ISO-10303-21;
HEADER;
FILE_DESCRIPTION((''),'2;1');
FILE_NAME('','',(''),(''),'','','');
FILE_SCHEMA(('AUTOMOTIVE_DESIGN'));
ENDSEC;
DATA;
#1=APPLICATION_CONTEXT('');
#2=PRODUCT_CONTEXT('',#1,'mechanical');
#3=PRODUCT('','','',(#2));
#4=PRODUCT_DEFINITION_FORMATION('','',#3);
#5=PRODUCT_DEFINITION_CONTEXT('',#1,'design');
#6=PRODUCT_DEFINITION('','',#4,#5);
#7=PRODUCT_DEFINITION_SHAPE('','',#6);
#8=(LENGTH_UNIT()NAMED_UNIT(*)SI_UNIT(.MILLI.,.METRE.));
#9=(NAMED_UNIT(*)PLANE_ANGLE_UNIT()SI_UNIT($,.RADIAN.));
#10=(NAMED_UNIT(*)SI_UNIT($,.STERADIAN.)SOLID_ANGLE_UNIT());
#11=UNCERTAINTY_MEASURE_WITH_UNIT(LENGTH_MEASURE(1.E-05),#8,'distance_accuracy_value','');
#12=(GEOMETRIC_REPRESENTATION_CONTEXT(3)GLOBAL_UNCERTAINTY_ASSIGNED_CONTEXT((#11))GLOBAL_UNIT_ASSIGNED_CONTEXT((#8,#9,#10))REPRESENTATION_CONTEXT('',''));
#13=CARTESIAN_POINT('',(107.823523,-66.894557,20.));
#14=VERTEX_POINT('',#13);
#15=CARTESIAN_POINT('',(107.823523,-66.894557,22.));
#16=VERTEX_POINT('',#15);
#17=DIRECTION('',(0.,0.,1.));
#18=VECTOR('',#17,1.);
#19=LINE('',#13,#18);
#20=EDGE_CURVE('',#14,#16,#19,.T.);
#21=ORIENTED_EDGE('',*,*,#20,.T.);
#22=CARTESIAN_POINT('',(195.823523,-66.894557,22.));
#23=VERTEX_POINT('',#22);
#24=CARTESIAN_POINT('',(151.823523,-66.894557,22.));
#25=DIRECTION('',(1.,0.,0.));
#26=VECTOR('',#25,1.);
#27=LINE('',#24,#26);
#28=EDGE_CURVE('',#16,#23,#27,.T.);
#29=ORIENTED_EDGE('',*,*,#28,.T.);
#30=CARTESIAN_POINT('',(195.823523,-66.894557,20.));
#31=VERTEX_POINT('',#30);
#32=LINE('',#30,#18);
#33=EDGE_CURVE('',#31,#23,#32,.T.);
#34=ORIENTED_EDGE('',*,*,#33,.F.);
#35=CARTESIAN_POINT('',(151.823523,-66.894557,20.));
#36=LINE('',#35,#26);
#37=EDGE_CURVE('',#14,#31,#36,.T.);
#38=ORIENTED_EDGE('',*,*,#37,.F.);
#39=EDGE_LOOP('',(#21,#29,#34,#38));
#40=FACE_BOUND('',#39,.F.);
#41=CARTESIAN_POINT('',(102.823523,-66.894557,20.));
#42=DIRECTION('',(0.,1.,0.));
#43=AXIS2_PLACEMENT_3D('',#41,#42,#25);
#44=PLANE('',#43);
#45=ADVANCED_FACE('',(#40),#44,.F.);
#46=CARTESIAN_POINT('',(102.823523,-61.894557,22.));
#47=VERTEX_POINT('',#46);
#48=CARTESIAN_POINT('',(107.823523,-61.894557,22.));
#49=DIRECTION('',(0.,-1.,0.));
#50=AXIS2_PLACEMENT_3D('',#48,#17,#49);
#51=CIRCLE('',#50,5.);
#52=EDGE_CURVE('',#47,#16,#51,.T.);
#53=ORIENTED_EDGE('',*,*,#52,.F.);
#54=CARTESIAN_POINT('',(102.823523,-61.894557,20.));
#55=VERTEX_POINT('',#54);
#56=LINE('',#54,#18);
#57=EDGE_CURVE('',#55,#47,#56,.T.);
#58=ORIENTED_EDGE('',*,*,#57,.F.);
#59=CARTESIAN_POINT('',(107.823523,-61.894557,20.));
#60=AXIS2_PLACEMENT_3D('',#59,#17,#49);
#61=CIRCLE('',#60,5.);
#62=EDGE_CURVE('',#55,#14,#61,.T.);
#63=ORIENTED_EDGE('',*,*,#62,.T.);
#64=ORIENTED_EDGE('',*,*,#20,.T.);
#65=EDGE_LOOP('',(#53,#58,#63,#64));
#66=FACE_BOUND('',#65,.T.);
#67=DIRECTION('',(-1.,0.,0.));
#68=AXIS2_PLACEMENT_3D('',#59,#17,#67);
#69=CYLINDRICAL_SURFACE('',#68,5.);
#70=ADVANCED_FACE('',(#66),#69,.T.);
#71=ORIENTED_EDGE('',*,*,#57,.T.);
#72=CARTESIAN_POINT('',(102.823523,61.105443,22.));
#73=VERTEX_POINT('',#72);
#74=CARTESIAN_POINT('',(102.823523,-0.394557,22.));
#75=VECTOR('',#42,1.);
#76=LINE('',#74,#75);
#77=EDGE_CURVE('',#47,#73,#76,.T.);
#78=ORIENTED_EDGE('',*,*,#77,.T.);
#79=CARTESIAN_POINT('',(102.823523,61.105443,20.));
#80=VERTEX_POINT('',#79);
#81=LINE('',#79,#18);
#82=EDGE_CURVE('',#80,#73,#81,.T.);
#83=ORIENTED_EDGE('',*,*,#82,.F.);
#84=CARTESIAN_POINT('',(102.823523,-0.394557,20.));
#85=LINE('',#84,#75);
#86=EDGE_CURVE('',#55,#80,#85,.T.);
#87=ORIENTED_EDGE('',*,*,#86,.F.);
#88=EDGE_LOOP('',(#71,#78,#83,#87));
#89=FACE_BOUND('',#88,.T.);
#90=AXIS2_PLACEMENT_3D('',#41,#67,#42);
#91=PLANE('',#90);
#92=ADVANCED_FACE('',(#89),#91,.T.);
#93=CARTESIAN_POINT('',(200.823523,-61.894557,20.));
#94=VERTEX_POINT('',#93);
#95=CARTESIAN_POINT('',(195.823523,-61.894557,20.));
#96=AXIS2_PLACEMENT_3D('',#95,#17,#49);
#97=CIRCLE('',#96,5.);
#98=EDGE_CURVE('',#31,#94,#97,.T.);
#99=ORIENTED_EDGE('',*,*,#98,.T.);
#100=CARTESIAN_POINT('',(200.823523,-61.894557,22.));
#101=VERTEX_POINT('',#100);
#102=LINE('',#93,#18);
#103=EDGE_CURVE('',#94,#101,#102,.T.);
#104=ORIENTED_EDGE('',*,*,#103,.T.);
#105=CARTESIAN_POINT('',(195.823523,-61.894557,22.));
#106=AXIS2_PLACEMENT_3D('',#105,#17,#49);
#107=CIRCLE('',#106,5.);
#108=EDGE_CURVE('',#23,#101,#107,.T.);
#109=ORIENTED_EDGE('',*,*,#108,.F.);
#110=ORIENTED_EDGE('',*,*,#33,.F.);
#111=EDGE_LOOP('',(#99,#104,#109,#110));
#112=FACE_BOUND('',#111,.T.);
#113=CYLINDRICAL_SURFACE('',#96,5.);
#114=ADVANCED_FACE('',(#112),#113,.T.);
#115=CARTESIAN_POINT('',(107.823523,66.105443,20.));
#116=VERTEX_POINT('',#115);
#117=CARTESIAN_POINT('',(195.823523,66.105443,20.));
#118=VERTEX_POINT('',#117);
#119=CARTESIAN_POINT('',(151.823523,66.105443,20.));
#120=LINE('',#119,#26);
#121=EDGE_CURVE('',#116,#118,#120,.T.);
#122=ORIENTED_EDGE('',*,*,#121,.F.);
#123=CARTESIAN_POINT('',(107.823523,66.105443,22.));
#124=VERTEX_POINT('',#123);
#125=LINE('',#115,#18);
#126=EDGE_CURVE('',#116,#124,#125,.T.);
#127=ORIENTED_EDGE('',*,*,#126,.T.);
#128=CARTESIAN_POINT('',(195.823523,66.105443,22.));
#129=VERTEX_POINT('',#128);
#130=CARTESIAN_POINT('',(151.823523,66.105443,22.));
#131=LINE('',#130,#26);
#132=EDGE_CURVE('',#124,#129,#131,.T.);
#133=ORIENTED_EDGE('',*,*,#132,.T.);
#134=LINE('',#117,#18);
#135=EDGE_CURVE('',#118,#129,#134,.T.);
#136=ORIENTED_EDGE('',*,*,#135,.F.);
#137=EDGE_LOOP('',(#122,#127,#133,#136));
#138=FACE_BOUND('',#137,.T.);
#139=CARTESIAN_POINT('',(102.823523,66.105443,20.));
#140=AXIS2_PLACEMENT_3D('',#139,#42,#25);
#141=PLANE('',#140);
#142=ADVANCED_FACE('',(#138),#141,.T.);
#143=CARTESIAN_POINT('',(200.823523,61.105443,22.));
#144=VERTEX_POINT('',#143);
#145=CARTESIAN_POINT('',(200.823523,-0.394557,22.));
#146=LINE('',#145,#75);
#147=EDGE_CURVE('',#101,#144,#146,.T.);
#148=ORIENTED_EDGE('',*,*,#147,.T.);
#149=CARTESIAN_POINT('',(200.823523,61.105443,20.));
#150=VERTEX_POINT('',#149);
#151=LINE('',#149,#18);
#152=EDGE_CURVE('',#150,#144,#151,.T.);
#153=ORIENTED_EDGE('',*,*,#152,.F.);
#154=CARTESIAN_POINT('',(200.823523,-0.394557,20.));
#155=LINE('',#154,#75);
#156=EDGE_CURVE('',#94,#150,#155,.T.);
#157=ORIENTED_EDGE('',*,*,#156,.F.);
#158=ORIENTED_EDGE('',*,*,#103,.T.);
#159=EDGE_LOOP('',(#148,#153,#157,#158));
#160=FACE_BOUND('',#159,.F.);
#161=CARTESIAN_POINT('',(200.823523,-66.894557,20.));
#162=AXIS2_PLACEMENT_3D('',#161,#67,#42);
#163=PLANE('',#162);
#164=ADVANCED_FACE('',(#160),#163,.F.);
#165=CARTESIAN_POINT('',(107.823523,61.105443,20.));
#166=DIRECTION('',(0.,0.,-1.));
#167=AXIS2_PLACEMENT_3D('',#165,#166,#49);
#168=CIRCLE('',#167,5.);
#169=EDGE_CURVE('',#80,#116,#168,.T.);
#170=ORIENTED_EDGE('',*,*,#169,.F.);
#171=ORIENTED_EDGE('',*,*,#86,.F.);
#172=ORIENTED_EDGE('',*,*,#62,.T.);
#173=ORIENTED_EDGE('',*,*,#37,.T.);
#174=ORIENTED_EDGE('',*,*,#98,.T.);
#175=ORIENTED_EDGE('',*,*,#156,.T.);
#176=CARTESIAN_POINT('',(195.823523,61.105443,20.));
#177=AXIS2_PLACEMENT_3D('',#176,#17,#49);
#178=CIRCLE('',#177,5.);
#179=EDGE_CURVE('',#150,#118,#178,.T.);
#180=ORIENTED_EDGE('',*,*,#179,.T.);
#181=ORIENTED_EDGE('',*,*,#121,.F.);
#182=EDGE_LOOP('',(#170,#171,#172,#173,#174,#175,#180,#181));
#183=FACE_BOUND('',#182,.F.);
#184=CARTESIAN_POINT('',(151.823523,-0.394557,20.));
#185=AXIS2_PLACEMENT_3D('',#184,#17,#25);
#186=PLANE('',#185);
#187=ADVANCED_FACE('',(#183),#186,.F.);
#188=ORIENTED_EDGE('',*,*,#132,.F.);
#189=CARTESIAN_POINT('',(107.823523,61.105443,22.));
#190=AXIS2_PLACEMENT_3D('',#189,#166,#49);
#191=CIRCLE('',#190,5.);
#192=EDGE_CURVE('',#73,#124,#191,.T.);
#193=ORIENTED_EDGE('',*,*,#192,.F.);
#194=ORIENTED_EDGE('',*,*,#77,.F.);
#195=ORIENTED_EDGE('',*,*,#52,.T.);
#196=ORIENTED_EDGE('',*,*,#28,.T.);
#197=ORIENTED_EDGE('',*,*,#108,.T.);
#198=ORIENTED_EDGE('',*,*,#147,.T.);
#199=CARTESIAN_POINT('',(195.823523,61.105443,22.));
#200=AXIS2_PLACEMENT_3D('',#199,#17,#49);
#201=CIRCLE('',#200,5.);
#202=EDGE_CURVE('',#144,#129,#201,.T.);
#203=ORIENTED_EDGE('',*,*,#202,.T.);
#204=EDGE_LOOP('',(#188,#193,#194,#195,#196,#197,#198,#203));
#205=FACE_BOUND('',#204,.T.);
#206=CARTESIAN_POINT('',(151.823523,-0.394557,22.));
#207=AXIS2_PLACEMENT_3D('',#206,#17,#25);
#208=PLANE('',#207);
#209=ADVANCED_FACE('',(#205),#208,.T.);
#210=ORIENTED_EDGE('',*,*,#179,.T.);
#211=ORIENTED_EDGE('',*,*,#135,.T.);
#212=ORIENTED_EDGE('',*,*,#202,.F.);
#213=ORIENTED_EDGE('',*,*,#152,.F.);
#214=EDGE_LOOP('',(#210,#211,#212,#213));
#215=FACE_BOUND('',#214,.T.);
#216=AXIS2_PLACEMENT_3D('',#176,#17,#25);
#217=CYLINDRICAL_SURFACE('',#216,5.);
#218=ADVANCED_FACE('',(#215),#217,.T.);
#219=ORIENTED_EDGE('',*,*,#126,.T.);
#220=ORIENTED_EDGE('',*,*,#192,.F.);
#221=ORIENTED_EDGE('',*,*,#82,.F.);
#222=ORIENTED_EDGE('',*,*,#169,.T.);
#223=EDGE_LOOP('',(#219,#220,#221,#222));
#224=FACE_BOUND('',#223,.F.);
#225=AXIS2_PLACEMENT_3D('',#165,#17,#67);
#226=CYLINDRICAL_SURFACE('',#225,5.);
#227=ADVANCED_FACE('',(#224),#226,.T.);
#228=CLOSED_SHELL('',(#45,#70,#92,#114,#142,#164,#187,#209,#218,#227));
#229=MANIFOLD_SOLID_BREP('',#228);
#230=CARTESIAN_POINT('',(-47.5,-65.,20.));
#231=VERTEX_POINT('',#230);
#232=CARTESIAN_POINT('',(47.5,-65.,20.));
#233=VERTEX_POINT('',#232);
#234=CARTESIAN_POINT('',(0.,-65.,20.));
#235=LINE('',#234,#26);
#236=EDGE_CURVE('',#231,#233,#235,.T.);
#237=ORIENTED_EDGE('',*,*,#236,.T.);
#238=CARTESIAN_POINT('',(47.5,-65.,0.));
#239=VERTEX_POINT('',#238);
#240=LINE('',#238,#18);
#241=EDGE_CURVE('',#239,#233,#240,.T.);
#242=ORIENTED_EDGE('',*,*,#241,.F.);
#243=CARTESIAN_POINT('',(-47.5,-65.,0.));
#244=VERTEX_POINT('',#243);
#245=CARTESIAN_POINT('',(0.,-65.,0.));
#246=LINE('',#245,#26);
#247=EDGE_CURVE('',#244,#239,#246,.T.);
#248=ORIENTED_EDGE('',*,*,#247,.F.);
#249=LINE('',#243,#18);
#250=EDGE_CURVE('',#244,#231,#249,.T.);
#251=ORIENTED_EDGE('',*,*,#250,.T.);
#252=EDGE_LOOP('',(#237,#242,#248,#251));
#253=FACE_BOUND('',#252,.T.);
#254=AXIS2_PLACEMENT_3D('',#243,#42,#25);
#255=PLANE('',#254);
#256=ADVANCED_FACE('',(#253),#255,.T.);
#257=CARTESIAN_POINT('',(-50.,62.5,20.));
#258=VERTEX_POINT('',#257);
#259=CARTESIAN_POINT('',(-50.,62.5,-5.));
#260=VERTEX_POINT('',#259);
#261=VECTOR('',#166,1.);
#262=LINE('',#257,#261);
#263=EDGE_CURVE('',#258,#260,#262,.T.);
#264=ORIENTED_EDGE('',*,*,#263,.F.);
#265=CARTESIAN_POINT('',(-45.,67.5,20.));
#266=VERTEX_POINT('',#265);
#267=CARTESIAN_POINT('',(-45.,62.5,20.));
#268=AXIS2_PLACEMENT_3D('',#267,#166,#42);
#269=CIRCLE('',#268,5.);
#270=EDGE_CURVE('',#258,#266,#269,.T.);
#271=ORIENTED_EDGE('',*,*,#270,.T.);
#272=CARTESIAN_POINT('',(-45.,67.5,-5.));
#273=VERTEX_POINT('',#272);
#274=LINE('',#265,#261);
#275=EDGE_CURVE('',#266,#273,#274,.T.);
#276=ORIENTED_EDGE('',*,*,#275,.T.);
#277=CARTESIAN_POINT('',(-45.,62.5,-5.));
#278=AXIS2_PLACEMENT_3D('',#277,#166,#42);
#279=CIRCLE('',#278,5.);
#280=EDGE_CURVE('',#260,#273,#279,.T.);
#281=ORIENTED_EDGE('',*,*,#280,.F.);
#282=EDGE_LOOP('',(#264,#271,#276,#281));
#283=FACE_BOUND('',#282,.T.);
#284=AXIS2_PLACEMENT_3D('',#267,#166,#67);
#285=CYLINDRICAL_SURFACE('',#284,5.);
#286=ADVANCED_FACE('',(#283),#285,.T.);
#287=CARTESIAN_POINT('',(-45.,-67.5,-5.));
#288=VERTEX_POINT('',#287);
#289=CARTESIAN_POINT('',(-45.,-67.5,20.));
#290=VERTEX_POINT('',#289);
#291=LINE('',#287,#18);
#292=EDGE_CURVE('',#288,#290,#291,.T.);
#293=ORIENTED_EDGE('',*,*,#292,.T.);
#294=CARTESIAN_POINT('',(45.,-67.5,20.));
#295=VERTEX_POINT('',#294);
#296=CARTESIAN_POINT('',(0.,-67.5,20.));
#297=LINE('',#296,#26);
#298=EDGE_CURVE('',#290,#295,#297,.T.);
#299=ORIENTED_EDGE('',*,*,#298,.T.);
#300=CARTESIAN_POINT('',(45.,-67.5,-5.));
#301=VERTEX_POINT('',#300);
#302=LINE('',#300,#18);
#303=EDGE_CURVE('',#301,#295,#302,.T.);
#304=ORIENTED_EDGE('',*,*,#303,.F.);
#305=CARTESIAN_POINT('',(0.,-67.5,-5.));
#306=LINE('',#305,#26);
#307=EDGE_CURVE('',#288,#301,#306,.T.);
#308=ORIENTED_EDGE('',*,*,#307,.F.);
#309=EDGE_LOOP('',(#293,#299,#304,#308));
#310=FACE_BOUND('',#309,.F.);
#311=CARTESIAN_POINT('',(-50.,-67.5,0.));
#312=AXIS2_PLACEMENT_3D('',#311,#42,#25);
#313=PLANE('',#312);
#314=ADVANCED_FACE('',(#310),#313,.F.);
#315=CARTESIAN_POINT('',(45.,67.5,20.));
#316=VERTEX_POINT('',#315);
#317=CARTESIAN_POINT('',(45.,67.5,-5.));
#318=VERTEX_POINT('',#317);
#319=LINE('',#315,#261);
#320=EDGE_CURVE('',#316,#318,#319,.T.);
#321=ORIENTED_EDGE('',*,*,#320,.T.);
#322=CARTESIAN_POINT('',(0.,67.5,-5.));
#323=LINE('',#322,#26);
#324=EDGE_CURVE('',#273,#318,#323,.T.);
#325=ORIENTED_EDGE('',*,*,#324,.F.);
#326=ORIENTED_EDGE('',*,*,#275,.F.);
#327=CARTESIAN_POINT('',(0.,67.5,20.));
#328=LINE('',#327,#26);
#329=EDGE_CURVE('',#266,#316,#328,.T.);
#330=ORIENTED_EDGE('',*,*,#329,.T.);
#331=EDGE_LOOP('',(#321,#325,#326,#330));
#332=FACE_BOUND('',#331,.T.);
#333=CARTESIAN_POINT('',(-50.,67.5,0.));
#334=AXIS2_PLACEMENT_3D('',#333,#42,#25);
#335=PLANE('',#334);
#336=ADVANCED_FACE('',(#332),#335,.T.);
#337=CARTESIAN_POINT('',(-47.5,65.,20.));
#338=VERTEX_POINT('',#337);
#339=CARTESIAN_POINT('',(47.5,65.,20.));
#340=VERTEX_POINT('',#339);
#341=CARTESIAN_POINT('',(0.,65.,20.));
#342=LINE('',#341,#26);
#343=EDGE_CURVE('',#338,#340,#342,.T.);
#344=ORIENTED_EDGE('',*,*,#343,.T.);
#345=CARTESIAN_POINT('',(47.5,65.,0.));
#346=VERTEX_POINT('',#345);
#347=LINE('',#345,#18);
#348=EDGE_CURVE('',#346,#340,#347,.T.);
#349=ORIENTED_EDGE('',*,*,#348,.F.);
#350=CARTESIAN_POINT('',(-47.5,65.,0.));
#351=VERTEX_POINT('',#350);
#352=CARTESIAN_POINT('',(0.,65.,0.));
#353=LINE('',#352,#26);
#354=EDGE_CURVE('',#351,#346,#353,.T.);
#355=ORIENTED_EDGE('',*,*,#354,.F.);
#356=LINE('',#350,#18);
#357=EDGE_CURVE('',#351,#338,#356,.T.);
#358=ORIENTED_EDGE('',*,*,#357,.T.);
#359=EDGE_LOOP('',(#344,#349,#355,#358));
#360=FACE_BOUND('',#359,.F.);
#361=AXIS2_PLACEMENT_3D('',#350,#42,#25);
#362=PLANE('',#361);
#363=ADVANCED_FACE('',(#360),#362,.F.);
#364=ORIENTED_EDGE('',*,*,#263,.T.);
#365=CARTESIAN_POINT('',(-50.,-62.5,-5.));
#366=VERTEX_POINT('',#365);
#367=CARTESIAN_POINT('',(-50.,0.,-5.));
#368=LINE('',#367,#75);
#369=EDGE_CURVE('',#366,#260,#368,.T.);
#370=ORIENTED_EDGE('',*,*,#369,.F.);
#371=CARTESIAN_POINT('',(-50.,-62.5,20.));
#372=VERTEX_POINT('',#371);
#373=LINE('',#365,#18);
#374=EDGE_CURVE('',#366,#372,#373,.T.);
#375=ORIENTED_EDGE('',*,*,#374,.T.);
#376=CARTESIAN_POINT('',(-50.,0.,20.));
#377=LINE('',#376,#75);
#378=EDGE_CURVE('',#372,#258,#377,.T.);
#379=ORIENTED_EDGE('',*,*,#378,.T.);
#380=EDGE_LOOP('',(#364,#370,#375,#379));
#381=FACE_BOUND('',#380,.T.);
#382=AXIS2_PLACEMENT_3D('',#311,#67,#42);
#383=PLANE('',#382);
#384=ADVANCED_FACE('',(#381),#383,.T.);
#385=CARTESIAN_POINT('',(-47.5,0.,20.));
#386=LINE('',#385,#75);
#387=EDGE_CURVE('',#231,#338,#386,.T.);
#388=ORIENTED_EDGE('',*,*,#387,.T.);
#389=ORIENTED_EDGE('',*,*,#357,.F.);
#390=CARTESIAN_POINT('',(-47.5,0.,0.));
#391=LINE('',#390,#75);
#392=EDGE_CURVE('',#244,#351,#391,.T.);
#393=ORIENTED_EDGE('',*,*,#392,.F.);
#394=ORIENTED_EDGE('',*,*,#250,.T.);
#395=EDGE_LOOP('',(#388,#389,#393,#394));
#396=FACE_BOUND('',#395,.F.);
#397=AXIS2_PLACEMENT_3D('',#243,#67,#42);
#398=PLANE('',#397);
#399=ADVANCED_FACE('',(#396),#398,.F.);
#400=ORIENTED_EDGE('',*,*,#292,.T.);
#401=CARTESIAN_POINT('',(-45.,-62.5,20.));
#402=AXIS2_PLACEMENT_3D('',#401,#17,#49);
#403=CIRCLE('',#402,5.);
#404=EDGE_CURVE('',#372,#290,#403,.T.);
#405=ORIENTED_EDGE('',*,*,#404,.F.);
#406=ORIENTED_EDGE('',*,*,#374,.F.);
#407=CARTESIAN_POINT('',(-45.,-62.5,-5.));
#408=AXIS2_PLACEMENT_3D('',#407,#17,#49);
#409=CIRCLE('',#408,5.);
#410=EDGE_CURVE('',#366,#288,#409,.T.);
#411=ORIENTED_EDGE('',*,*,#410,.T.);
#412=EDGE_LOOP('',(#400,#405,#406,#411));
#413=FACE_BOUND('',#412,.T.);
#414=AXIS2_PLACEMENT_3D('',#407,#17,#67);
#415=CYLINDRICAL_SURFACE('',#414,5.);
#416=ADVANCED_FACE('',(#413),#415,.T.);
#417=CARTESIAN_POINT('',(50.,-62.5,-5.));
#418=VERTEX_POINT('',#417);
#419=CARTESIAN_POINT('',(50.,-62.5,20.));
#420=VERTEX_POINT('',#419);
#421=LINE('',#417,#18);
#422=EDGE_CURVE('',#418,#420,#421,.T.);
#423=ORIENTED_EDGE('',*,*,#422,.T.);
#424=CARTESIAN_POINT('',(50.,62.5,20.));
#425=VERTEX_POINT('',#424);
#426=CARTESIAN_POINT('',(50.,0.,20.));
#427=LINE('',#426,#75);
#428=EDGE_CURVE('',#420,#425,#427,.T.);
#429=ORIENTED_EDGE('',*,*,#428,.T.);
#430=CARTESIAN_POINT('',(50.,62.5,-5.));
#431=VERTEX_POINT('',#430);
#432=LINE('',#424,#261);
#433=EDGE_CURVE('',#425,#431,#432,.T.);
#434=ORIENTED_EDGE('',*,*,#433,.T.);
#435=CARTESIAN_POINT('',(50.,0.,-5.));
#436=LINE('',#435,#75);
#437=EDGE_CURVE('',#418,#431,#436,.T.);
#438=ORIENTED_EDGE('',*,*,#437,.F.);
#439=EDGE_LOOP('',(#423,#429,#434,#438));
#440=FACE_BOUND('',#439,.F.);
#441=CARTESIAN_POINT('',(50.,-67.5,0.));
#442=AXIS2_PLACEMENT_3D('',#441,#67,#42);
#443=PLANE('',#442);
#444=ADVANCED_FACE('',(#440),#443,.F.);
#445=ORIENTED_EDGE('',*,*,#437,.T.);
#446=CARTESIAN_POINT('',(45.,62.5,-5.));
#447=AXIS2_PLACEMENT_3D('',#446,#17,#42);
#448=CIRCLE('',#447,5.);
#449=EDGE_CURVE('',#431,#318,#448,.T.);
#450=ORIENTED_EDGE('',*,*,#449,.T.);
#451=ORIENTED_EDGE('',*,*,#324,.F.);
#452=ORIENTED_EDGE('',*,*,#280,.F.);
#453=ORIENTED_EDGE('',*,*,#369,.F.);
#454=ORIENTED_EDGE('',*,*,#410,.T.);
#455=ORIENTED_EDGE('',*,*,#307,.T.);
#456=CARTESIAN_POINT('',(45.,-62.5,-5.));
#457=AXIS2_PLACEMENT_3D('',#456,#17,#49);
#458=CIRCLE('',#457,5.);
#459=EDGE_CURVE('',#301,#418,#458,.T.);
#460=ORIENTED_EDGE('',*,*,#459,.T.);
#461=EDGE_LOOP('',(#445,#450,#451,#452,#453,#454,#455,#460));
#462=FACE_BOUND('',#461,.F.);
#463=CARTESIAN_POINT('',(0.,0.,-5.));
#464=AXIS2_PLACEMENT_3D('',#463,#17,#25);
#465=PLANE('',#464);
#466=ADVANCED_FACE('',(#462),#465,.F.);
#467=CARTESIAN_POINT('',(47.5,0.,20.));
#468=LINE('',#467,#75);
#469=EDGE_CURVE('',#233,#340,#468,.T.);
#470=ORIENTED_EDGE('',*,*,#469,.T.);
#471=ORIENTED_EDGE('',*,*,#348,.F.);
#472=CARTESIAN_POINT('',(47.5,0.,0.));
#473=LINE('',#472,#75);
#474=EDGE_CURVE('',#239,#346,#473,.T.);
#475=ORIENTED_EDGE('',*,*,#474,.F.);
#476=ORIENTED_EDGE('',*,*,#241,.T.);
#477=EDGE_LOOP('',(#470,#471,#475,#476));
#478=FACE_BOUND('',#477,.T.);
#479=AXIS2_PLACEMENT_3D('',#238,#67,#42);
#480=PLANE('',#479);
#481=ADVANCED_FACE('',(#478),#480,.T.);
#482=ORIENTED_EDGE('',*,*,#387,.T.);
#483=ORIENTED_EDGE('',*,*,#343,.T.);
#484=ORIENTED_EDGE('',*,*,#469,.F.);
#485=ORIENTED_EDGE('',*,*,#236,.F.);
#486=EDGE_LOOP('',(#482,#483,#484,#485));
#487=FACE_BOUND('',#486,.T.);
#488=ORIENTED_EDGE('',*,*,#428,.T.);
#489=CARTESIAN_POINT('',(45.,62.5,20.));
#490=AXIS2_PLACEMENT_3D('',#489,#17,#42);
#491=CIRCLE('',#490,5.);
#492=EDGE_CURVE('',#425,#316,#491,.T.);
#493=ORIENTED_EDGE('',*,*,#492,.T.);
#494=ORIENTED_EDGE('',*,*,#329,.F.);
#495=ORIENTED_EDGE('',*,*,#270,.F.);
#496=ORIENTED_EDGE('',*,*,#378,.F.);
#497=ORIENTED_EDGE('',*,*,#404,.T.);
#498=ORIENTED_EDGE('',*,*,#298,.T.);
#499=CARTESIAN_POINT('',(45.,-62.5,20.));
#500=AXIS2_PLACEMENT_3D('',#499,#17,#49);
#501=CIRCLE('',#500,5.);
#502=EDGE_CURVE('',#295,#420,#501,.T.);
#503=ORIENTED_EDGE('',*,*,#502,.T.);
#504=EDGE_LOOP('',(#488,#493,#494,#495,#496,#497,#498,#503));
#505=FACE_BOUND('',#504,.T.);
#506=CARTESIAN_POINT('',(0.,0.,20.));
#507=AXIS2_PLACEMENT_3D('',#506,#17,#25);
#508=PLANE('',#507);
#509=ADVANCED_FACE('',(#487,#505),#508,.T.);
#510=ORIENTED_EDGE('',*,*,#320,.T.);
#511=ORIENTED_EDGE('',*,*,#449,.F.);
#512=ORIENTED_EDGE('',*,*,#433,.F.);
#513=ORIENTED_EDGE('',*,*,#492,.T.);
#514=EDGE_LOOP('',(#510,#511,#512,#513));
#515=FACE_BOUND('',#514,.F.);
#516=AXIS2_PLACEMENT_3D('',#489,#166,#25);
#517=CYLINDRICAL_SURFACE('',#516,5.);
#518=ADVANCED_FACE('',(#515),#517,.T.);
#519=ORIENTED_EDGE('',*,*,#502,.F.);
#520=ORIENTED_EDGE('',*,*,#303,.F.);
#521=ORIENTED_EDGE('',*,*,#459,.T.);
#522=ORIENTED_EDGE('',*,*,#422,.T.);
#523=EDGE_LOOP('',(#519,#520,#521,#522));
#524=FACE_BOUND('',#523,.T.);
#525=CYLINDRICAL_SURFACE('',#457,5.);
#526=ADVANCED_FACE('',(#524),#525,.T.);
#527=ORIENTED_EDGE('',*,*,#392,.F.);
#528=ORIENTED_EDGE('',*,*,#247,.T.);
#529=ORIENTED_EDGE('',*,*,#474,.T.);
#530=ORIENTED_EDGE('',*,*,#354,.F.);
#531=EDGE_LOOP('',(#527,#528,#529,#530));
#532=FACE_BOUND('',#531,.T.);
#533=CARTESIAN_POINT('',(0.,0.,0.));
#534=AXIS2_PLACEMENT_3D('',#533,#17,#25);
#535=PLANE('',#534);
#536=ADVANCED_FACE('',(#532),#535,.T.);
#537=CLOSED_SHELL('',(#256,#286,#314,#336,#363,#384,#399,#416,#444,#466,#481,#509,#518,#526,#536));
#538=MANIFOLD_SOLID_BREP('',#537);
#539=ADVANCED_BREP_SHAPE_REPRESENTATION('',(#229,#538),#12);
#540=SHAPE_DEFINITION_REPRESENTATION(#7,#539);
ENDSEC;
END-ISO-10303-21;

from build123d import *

# Parameters (mm, degrees)
F0_W     = 100
F0_H     = 135
F1_DEPTH = 5
F2_W     = 100
F2_H     = 135
F2_W_2   = 95
F2_H_2   = 130
F3_DEPTH = 20
F4_R     = 5
F5_W     = 98
F5_H     = 133
F6_DEPTH = 2
F7_R     = 5


with BuildPart() as f1:
    # F0 (on Top) → F1 (new body)
    with BuildSketch(Plane.XY):
        Rectangle(F0_W, F0_H)
    extrude(amount=-F1_DEPTH)

    # F2 (on face) → F3 (join)
    with BuildSketch(Plane.XY):
        Rectangle(F2_W, F2_H)
        Rectangle(F2_W_2, F2_H_2, mode=Mode.SUBTRACT)
    extrude(amount=F3_DEPTH)

    # F4
    f4_edges = [f1.edges().sort_by_distance(p)[0] for p in [
        (50, -67.5, 7.5),
        (-50, -67.5, 7.5),
        (-50, 67.5, 7.5),
        (50, 67.5, 7.5),
    ]]
    fillet(f4_edges, radius=F4_R)


with BuildPart() as f6:
    # F5 (on face) → F6 (new body)
    with BuildSketch(Plane.XY.offset(20)):
        with Locations((151.823523, -0.394557)):
            Rectangle(F5_W, F5_H)
    extrude(amount=F6_DEPTH)

    # F7
    f7_edges = [f6.edges().sort_by_distance(p)[0] for p in [
        (102.823523, -66.894557, 21),
        (200.823523, -66.894557, 21),
        (200.823523, 66.105443, 21),
        (102.823523, 66.105443, 21),
    ]]
    fillet(f7_edges, radius=F7_R)


solid = Compound([f1.part, f6.part])
